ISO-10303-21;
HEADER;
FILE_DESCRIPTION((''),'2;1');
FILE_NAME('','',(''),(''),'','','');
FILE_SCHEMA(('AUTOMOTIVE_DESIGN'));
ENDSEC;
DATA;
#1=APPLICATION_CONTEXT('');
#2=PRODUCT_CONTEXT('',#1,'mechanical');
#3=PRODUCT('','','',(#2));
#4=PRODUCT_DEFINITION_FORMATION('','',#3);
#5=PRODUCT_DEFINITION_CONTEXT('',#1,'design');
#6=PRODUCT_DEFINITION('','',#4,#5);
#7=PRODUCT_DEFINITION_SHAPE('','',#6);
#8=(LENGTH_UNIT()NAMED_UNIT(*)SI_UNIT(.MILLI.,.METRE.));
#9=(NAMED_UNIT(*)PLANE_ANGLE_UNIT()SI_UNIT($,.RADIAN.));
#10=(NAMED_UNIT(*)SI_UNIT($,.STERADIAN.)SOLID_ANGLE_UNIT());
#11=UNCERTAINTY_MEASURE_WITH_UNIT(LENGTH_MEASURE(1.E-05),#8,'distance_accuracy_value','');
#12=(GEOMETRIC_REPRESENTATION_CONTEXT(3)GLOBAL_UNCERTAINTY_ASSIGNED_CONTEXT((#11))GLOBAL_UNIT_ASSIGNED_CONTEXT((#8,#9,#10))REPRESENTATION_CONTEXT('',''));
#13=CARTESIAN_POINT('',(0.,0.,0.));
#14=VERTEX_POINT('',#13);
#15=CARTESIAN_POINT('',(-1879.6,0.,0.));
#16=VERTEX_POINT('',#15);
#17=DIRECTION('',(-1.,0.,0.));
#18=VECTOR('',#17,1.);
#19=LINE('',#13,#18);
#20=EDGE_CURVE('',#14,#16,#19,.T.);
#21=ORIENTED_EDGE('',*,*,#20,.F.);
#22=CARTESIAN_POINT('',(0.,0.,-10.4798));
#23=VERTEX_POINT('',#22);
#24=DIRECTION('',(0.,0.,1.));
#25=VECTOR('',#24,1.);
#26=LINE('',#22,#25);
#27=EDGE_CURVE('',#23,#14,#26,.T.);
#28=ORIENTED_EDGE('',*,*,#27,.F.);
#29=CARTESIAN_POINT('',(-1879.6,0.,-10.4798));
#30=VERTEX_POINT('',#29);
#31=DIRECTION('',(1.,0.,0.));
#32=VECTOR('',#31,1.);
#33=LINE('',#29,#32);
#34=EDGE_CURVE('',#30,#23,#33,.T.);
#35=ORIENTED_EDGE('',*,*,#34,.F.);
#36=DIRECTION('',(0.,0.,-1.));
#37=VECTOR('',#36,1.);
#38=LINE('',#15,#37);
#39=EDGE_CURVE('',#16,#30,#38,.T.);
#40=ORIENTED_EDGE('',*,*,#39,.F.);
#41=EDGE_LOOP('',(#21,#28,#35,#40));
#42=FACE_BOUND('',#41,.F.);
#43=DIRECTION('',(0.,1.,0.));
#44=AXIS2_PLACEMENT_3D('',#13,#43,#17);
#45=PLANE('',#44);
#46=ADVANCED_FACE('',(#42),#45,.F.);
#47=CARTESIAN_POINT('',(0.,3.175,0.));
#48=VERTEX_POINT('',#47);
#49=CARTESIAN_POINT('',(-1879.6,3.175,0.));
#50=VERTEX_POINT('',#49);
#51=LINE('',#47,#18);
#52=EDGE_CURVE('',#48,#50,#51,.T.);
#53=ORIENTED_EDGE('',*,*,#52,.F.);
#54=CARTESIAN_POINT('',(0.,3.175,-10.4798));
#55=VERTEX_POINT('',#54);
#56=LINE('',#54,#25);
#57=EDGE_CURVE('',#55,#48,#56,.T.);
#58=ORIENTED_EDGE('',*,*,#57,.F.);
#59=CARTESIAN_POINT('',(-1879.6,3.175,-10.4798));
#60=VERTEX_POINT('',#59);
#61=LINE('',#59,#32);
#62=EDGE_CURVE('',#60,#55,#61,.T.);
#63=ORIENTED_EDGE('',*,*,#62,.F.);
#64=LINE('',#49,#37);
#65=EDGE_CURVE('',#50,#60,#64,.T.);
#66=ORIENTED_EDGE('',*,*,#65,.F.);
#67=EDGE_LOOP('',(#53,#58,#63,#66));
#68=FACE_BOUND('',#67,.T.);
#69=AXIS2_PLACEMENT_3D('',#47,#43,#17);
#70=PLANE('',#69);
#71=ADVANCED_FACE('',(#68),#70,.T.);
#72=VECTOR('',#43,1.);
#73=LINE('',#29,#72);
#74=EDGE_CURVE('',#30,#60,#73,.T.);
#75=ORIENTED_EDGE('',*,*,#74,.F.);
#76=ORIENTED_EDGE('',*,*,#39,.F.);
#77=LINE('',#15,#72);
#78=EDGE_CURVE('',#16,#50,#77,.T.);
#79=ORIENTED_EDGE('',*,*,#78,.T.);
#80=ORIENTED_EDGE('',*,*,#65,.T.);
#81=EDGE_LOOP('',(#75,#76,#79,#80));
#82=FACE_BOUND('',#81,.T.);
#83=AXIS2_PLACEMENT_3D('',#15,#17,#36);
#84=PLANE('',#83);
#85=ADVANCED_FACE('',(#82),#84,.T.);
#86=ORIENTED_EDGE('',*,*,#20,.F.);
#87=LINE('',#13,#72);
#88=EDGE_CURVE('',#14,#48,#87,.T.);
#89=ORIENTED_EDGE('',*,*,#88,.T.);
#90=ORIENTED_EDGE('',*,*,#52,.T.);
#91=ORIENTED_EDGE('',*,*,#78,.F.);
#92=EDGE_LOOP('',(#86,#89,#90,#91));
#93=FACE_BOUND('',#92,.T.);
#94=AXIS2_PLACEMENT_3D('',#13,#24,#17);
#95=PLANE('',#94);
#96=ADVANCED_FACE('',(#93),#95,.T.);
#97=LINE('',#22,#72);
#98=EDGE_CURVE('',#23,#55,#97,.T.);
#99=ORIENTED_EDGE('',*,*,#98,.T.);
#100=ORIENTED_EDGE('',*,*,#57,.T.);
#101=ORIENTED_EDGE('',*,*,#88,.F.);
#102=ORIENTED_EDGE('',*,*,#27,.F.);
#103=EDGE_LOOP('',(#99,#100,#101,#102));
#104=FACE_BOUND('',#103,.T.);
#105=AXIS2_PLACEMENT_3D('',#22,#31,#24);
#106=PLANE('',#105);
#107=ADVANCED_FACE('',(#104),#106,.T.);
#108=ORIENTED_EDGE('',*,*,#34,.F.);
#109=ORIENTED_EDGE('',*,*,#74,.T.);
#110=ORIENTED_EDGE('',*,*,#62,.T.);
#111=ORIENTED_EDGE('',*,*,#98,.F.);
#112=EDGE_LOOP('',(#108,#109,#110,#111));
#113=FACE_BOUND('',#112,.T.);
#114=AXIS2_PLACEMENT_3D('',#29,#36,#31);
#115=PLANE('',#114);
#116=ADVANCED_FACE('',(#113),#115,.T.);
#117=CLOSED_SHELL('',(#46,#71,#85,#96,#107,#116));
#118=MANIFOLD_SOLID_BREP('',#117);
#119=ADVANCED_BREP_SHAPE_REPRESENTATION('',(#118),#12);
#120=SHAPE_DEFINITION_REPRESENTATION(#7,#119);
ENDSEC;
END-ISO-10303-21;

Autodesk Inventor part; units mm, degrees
ref_plane "YZ Plane" through (0, 0, 0) normal (1, 0, 0) x (0, 1, 0)
ref_plane "XZ Plane" through (0, 0, 0) normal (0, 1, 0) x (-1, 0, 0)
ref_plane "XY Plane" through (0, 0, 0) normal (0, 0, 1) x (1, 0, 0)
sketch "Sketch1" plane through (0, 0, 0) normal (0, 1, 0) x (-1, 0, 0)
  line L0 (0, 0) -> (1879.6, 0)
  line L1 (1879.6, 0) -> (1879.6, -10.4798)
  line L2 (1879.6, -10.4798) -> (0, -10.4798)
  line L3 (0, -10.4798) -> (0, 0)
  dimension "d0" = 1879.6
extrude "Extrusion1" add sketch "Sketch1" along normal blind 3.175
properties part number "meh"
